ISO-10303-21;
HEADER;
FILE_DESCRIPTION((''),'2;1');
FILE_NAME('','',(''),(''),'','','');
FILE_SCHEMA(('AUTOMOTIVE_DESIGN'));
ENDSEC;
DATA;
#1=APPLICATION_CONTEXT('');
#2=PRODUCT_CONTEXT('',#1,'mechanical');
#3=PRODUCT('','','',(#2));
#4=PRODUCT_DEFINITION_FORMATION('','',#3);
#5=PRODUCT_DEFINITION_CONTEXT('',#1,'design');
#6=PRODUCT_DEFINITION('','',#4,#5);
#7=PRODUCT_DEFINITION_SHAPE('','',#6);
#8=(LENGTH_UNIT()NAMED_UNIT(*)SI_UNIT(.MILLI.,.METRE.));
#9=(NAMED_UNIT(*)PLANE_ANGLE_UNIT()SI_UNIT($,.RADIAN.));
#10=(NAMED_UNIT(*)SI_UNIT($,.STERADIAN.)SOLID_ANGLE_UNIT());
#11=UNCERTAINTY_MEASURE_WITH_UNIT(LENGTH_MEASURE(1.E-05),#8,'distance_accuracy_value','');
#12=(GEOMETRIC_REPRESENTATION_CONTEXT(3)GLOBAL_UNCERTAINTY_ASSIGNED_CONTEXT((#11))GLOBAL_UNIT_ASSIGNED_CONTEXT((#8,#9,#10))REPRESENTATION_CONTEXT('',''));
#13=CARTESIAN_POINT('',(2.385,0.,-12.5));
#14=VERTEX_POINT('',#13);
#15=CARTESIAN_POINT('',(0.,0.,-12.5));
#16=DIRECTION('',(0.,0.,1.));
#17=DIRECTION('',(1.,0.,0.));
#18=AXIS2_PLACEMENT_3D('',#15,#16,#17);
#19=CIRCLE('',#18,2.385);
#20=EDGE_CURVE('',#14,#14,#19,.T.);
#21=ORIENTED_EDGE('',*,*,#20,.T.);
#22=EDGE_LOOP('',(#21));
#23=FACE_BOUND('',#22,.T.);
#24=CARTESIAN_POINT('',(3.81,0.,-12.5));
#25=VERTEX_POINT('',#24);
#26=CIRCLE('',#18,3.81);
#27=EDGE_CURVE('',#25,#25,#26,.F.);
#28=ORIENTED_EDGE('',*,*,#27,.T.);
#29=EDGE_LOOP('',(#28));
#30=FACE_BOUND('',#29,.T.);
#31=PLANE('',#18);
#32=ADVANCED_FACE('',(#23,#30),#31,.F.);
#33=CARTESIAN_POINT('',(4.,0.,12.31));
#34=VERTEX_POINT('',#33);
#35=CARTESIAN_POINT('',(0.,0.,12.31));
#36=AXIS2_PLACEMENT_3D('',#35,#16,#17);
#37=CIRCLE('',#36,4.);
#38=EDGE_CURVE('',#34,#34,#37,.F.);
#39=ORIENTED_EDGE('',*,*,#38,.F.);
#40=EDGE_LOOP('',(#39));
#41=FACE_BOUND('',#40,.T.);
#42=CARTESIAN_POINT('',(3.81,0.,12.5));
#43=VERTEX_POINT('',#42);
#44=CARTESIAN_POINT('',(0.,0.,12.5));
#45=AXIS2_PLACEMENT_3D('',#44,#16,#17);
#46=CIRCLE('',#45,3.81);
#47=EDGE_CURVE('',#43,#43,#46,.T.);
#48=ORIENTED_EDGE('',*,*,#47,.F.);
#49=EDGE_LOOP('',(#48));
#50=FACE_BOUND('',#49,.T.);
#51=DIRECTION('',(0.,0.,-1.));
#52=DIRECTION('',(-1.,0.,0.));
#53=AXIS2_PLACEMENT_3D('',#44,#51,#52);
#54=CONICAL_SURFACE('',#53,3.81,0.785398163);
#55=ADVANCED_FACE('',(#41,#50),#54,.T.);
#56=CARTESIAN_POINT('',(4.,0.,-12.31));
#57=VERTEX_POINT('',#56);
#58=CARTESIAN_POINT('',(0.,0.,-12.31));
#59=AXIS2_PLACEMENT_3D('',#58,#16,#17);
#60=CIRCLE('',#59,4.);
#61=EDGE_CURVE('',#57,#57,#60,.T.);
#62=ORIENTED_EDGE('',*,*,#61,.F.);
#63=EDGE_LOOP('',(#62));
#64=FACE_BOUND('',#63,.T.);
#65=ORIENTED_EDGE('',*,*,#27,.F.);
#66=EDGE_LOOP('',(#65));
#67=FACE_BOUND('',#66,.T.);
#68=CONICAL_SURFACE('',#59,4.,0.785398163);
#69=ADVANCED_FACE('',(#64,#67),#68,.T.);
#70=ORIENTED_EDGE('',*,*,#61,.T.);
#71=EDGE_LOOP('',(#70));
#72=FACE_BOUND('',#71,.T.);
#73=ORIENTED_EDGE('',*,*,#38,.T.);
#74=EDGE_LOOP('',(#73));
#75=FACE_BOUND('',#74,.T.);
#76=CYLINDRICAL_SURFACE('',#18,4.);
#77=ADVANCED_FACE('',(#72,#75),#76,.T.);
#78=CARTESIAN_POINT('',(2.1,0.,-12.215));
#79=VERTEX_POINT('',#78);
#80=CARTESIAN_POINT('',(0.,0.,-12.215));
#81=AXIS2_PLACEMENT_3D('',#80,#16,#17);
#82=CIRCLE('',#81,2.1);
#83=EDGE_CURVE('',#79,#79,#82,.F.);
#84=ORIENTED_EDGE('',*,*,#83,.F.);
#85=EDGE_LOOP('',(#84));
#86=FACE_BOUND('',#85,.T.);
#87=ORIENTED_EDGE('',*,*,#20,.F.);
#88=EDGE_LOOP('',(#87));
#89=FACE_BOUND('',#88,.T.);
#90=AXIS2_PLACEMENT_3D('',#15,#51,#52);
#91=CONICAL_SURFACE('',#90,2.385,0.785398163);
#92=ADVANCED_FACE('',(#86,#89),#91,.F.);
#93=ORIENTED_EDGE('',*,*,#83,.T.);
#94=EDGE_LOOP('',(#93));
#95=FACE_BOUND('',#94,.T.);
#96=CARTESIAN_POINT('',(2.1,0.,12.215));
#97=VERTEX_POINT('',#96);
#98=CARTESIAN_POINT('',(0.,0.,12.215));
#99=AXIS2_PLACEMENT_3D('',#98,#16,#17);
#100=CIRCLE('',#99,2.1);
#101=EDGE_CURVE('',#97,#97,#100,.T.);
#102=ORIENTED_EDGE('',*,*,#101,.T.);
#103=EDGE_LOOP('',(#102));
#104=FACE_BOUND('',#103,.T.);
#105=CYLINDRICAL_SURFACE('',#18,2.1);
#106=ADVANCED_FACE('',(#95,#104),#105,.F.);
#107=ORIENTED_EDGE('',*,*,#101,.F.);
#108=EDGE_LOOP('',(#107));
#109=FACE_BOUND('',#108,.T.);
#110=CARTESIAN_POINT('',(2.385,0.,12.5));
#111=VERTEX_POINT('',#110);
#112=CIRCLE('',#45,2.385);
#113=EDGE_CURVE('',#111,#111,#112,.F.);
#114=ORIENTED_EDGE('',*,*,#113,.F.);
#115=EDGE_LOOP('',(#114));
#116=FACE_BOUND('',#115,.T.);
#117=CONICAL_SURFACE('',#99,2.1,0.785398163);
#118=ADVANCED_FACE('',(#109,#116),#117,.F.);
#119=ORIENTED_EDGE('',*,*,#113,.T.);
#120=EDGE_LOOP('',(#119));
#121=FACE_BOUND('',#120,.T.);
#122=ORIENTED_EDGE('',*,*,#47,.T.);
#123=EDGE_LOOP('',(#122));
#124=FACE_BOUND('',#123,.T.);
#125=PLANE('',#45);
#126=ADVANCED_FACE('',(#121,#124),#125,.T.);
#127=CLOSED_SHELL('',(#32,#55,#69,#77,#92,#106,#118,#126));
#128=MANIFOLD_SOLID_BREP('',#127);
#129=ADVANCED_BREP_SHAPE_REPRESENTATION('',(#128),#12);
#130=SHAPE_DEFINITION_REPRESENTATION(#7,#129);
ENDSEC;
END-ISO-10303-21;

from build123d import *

# Parameters (mm, degrees)
BOSS_EXTRUDE1_DEPTH      = 12.5
BOSS_EXTRUDE1_DEPTH_BACK = 12.5
SKETCH3_R                = 4
SKETCH3_R_2              = 2.1
CHAMFER1_SIZE            = 0.19
CHAMFER2_SIZE            = 0.285


with BuildPart() as part:
    # Sketch3 → Boss-Extrude1 (new, two sides: drawn at the far end of the back side and taken through both)
    with BuildSketch(Plane.XY.offset(-BOSS_EXTRUDE1_DEPTH_BACK)):
        Circle(SKETCH3_R)
        Circle(SKETCH3_R_2, mode=Mode.SUBTRACT)
    extrude(amount=BOSS_EXTRUDE1_DEPTH + BOSS_EXTRUDE1_DEPTH_BACK)

    # Chamfer1
    chamfer1_edges = [part.edges().sort_by_distance(p)[0] for p in [
        (-4, 0, -12.5),
        (-4, 0, 12.5),
    ]]
    chamfer(chamfer1_edges, length=CHAMFER1_SIZE)

    # Chamfer2
    chamfer2_edges = [part.edges().sort_by_distance(p)[0] for p in [
        (-2.1, 0, -12.5),
        (-2.1, 0, 12.5),
    ]]
    chamfer(chamfer2_edges, length=CHAMFER2_SIZE)


solid = part.part
